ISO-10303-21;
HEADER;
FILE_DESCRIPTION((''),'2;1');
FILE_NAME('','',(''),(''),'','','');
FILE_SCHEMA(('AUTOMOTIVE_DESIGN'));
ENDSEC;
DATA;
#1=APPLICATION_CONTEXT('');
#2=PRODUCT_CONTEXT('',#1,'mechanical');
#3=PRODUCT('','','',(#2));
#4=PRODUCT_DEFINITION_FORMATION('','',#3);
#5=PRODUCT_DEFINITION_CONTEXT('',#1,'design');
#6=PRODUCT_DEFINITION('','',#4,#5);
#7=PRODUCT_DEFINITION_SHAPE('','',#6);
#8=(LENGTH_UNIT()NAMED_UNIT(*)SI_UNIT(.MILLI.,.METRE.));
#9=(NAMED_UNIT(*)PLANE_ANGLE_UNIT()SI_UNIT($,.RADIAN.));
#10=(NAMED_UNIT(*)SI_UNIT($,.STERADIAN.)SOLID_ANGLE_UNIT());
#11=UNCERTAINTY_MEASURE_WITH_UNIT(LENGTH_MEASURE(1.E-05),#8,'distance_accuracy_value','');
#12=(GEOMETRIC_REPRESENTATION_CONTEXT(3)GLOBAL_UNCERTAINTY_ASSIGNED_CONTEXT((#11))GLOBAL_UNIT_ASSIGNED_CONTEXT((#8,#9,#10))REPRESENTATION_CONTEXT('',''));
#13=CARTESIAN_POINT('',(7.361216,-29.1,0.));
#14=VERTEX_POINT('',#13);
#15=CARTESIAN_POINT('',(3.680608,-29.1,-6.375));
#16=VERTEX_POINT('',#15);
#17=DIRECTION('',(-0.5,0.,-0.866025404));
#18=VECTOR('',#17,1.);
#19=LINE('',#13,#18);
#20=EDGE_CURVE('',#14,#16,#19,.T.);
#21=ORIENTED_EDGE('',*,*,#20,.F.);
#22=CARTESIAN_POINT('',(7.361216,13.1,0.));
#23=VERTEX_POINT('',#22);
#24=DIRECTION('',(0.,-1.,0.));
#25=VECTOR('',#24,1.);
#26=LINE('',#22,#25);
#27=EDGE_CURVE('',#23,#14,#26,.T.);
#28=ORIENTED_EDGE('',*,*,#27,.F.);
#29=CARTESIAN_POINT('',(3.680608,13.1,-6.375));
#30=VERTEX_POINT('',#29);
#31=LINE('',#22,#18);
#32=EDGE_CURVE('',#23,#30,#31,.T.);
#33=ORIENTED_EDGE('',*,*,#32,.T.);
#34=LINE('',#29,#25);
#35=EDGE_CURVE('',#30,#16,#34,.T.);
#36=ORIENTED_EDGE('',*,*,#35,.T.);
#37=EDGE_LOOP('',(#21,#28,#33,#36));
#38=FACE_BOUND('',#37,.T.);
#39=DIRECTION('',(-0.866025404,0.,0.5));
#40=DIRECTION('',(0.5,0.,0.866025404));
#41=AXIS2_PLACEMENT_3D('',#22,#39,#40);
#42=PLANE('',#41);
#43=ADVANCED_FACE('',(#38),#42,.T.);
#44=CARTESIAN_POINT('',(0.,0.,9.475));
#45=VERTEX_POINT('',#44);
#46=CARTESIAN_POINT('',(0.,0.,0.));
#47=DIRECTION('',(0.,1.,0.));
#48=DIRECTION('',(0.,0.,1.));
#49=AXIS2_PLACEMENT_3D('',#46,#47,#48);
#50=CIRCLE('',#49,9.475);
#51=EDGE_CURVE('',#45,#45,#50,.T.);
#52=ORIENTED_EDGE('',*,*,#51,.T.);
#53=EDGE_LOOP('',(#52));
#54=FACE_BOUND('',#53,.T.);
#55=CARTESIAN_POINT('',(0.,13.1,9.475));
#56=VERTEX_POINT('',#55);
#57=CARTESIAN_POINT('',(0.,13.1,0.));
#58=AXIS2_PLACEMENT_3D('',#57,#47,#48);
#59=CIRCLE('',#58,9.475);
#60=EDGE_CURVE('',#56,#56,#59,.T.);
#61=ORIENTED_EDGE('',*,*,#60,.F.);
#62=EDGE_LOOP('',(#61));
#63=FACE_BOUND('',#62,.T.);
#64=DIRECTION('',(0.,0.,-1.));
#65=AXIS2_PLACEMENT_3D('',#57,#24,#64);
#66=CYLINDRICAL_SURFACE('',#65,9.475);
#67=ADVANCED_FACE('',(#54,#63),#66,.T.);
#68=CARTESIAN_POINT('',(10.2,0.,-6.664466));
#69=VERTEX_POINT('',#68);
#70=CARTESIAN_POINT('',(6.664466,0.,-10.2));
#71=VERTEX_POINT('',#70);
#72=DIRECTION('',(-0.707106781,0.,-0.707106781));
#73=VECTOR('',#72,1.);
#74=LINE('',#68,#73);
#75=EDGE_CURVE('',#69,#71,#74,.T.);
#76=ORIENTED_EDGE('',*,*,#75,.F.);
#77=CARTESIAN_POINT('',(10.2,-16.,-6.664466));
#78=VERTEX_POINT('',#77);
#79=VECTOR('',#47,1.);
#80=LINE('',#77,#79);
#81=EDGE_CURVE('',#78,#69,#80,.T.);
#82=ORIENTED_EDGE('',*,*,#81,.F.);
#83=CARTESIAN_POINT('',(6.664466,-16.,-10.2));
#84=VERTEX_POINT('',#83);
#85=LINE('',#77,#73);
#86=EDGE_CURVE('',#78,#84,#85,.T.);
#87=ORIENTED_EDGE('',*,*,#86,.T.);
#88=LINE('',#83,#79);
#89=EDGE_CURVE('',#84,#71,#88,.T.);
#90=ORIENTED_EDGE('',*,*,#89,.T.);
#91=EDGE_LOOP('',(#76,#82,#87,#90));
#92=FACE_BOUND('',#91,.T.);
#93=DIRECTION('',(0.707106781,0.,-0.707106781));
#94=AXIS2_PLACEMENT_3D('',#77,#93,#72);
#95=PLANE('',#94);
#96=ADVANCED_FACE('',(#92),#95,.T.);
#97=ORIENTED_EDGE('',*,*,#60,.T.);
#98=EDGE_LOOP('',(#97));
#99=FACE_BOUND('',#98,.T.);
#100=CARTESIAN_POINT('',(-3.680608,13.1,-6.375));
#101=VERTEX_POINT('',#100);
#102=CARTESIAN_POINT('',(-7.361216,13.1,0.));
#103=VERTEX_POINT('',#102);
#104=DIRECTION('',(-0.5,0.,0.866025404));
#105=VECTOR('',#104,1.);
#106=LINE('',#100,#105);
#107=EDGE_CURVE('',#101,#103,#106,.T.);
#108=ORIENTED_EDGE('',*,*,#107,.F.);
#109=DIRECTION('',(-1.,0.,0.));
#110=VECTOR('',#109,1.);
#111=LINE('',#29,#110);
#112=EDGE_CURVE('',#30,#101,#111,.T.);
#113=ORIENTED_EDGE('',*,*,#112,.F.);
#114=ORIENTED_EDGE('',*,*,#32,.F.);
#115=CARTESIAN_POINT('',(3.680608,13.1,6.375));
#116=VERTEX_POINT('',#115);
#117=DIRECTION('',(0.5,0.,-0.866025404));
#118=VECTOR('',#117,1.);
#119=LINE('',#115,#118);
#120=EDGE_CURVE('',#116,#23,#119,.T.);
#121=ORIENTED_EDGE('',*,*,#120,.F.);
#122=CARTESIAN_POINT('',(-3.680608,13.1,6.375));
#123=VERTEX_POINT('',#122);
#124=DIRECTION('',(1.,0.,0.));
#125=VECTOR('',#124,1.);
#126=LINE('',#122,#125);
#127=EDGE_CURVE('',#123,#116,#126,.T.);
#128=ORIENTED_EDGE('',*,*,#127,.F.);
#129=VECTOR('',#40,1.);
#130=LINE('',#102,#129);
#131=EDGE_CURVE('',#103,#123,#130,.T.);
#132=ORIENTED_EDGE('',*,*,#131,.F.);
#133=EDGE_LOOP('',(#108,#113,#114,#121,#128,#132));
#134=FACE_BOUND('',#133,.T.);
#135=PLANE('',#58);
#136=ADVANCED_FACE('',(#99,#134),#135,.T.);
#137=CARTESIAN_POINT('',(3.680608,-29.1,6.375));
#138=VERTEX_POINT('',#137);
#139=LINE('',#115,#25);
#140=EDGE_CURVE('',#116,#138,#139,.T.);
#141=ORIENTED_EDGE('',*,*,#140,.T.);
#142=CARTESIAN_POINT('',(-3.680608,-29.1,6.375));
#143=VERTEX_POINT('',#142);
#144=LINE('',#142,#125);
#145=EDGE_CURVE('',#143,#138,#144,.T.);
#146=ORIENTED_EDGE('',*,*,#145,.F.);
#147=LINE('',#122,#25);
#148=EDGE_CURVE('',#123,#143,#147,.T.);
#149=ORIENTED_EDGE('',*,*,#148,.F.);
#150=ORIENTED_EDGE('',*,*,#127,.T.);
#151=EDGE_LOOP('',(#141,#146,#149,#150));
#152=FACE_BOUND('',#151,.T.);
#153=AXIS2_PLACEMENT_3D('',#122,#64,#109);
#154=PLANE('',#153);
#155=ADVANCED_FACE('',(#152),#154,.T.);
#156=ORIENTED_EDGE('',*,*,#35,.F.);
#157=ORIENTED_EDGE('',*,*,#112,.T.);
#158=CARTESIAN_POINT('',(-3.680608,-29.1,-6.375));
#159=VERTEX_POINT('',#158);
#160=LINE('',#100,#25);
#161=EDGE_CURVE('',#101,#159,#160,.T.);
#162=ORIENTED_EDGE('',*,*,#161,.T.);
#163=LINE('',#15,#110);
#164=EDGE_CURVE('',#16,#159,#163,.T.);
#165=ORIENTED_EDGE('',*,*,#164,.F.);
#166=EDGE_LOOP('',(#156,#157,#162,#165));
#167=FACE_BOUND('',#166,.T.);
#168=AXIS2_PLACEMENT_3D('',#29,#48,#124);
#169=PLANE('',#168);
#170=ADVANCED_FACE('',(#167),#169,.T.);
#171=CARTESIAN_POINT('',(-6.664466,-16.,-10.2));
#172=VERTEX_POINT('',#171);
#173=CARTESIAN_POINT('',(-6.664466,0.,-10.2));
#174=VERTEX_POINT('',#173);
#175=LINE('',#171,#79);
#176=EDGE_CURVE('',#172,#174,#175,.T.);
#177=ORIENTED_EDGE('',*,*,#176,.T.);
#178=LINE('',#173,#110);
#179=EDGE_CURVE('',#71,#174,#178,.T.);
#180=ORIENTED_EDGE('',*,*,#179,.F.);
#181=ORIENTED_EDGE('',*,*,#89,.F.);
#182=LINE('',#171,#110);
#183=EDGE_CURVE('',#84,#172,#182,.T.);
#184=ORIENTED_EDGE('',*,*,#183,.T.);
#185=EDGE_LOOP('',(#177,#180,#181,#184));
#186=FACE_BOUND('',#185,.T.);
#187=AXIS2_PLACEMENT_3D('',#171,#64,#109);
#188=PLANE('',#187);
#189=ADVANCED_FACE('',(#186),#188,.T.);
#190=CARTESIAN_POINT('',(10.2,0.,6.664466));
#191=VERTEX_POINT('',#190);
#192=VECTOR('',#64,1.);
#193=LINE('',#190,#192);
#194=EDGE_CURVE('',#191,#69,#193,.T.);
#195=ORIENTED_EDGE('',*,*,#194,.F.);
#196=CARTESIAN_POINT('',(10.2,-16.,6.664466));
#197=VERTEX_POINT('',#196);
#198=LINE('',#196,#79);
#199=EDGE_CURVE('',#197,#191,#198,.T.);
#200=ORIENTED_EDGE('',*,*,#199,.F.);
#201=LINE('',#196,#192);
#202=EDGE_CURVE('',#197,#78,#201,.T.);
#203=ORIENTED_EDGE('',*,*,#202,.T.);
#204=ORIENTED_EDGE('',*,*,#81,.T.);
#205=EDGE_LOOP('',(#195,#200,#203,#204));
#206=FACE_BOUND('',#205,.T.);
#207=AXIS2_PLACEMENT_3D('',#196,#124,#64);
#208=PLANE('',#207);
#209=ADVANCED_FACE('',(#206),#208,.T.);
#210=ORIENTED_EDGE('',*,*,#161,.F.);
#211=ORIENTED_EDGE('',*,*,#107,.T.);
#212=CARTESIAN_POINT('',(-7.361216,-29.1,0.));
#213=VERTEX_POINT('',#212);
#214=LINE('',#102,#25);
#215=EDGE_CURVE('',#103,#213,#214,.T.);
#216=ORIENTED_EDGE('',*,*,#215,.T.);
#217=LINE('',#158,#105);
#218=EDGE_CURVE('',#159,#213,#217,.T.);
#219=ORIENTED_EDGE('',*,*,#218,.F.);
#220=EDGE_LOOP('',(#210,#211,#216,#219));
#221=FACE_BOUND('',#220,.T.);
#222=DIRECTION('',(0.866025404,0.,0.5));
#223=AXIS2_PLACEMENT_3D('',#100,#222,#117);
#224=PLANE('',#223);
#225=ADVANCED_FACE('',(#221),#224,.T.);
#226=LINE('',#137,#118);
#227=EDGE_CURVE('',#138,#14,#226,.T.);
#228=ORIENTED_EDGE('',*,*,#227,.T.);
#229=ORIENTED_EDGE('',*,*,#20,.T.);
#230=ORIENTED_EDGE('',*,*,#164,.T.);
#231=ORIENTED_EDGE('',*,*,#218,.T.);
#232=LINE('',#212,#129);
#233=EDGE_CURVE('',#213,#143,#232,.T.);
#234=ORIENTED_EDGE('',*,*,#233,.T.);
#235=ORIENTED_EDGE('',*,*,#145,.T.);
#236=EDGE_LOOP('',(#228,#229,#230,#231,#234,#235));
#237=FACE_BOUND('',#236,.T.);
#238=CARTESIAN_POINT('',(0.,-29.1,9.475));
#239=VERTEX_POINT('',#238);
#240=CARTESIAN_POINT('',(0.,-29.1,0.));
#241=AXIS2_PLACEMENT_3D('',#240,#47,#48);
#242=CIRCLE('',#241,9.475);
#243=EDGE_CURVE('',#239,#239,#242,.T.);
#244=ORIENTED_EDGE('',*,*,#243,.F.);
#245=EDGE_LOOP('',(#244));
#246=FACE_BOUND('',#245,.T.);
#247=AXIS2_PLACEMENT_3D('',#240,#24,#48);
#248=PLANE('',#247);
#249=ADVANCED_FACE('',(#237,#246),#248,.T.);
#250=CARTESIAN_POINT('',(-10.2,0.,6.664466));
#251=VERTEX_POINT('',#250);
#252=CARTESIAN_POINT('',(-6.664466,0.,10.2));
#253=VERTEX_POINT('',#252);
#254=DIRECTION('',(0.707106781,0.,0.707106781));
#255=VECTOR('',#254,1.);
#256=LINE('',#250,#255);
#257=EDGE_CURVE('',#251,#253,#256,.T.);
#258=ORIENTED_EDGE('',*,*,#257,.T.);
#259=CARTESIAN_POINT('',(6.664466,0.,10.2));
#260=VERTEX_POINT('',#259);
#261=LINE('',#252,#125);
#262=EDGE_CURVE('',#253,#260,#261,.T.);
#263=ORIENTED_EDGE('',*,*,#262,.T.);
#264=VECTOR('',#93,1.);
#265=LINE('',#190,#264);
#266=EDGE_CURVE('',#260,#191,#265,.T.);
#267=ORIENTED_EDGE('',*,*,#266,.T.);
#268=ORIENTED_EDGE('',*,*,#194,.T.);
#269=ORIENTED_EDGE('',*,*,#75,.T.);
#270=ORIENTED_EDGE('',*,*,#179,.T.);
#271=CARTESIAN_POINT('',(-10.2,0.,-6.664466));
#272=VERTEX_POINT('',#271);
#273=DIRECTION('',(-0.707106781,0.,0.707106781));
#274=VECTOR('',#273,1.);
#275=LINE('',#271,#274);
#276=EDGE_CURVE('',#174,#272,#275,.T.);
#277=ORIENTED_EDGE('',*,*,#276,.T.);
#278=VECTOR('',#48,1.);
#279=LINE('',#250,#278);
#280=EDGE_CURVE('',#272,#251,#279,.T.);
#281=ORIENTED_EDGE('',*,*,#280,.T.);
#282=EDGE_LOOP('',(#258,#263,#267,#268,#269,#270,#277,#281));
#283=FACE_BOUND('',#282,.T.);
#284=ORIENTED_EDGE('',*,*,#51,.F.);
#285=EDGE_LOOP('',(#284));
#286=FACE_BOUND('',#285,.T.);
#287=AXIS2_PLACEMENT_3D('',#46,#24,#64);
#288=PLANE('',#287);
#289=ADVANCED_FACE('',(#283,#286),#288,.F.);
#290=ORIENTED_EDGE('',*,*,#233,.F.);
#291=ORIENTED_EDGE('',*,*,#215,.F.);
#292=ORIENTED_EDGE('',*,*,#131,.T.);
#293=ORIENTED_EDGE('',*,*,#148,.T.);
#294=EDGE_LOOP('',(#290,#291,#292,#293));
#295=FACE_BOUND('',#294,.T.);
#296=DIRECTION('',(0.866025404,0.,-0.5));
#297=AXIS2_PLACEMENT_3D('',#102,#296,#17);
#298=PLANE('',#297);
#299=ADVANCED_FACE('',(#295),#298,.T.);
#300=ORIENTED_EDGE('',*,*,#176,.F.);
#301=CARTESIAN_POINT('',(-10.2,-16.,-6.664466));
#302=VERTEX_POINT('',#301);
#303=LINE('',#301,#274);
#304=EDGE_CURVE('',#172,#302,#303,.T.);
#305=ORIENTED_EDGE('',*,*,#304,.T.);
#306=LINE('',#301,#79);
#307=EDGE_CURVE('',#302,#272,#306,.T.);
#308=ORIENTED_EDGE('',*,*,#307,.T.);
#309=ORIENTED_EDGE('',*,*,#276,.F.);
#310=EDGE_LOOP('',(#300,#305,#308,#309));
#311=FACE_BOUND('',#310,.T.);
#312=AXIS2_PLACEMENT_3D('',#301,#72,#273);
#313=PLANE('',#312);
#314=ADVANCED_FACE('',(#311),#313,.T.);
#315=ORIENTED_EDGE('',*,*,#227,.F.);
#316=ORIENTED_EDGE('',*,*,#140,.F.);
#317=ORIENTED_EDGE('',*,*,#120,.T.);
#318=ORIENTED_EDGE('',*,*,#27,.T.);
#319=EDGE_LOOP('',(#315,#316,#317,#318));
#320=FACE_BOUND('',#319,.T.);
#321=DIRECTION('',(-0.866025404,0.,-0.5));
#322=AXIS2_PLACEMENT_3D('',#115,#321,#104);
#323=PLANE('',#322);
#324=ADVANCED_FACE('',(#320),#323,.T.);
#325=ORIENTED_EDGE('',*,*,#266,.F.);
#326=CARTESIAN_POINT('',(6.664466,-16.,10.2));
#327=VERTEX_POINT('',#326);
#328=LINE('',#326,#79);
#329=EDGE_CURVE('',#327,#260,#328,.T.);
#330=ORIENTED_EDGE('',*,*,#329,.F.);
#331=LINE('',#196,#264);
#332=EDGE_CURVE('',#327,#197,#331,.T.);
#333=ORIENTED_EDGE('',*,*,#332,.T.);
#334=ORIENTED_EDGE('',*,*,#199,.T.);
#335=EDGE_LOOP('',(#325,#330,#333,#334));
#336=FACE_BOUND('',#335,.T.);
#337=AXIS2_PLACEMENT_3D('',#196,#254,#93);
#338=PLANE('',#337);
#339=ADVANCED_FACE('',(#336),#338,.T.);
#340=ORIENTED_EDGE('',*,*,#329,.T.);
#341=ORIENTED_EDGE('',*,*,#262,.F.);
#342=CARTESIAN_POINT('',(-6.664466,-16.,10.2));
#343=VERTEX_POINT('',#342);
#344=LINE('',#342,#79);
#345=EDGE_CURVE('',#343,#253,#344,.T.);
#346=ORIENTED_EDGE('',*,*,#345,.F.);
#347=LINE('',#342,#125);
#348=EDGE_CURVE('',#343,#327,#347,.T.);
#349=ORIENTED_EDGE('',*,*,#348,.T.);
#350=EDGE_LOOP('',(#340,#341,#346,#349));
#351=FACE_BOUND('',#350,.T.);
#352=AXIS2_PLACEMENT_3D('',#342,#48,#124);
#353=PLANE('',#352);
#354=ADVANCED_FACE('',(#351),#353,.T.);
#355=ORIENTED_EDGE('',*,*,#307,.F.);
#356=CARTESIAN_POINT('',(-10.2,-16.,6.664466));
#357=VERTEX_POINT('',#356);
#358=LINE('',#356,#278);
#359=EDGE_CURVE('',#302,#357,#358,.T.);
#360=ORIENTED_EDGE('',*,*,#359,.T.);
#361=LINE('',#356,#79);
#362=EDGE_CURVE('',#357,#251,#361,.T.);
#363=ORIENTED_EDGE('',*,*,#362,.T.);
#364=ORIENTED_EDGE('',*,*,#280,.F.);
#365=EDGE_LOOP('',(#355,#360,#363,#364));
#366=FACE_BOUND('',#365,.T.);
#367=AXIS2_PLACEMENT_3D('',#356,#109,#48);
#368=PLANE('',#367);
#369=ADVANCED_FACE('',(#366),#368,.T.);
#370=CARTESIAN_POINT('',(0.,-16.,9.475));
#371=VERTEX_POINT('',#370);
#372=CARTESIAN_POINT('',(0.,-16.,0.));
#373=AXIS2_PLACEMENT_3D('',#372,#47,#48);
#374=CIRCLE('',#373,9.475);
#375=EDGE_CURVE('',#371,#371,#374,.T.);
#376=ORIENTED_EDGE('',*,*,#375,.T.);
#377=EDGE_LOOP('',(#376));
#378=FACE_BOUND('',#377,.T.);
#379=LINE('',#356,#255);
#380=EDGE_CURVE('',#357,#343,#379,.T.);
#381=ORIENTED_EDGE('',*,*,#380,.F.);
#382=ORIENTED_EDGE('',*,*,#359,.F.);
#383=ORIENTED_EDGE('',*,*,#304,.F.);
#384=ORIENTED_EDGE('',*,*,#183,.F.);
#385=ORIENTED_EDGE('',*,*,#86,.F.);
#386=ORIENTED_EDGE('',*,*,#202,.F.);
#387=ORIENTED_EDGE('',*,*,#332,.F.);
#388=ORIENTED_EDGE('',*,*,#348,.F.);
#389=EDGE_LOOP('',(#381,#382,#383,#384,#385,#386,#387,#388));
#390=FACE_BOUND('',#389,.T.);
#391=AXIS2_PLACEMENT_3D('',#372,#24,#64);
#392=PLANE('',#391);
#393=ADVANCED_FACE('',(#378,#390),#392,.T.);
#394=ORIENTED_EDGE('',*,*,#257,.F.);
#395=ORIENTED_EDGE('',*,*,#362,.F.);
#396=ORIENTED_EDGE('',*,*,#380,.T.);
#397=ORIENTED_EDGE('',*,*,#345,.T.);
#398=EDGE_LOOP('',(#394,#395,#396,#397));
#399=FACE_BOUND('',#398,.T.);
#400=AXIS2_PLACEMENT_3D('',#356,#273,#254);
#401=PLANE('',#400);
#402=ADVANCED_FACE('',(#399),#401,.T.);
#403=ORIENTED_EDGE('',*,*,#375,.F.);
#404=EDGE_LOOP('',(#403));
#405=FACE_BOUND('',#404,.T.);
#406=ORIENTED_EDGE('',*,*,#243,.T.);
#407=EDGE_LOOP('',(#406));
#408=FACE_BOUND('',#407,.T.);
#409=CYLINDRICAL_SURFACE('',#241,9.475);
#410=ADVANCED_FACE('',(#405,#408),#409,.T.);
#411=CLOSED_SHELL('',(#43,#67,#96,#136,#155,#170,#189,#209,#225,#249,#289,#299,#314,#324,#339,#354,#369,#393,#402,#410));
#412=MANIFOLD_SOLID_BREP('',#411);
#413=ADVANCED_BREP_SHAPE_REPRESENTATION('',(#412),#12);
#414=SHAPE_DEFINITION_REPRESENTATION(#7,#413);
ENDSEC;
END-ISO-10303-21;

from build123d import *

# Parameters (mm, degrees)
SKETCH1_R           = 9.475
BOSS_EXTRUDE1_DEPTH = 13.1
BOSS_EXTRUDE3_DEPTH = 16


with BuildPart() as part:
    # Sketch1 → Boss-Extrude1 (new body)
    with BuildSketch(Plane(origin=(0, 0, 0), x_dir=(1, 0, 0), z_dir=(0, 1, 0))):
        with Locations(Location((0, 0, 0), (0, 0, 270))):
            Circle(SKETCH1_R)
        Polygon((7.361215932, 0), (3.680607966, 6.375), (-3.680607966, 6.375), (-7.361215932, 0), (-3.680607966, -6.375), (3.680607966, -6.375), align=None, mode=Mode.SUBTRACT)
    boss_extrude1 = extrude(amount=BOSS_EXTRUDE1_DEPTH)

    # Sketch2 → Boss-Extrude3 (add)
    with BuildSketch(Plane(origin=(0, 0, 0), x_dir=(1, 0, 0), z_dir=(0, 1, 0))):
        Polygon((-10.2, 6.664466094), (-6.664466094, 10.2), (6.664466094, 10.2), (10.2, 6.664466094), (10.2, -6.664466094), (6.664466094, -10.2), (-6.664466094, -10.2), (-10.2, -6.664466094), align=None)
        Polygon((3.680607966, 6.375), (-3.680607966, 6.375), (-7.361215932, 0), (-3.680607966, -6.375), (3.680607966, -6.375), (7.361215932, 0), align=None, mode=Mode.SUBTRACT)
    extrude(amount=-BOSS_EXTRUDE3_DEPTH)

    # Mirror1: Boss-Extrude1 across plane
    add(boss_extrude1.mirror(Plane.ZX.offset(-8)))


solid = part.part
